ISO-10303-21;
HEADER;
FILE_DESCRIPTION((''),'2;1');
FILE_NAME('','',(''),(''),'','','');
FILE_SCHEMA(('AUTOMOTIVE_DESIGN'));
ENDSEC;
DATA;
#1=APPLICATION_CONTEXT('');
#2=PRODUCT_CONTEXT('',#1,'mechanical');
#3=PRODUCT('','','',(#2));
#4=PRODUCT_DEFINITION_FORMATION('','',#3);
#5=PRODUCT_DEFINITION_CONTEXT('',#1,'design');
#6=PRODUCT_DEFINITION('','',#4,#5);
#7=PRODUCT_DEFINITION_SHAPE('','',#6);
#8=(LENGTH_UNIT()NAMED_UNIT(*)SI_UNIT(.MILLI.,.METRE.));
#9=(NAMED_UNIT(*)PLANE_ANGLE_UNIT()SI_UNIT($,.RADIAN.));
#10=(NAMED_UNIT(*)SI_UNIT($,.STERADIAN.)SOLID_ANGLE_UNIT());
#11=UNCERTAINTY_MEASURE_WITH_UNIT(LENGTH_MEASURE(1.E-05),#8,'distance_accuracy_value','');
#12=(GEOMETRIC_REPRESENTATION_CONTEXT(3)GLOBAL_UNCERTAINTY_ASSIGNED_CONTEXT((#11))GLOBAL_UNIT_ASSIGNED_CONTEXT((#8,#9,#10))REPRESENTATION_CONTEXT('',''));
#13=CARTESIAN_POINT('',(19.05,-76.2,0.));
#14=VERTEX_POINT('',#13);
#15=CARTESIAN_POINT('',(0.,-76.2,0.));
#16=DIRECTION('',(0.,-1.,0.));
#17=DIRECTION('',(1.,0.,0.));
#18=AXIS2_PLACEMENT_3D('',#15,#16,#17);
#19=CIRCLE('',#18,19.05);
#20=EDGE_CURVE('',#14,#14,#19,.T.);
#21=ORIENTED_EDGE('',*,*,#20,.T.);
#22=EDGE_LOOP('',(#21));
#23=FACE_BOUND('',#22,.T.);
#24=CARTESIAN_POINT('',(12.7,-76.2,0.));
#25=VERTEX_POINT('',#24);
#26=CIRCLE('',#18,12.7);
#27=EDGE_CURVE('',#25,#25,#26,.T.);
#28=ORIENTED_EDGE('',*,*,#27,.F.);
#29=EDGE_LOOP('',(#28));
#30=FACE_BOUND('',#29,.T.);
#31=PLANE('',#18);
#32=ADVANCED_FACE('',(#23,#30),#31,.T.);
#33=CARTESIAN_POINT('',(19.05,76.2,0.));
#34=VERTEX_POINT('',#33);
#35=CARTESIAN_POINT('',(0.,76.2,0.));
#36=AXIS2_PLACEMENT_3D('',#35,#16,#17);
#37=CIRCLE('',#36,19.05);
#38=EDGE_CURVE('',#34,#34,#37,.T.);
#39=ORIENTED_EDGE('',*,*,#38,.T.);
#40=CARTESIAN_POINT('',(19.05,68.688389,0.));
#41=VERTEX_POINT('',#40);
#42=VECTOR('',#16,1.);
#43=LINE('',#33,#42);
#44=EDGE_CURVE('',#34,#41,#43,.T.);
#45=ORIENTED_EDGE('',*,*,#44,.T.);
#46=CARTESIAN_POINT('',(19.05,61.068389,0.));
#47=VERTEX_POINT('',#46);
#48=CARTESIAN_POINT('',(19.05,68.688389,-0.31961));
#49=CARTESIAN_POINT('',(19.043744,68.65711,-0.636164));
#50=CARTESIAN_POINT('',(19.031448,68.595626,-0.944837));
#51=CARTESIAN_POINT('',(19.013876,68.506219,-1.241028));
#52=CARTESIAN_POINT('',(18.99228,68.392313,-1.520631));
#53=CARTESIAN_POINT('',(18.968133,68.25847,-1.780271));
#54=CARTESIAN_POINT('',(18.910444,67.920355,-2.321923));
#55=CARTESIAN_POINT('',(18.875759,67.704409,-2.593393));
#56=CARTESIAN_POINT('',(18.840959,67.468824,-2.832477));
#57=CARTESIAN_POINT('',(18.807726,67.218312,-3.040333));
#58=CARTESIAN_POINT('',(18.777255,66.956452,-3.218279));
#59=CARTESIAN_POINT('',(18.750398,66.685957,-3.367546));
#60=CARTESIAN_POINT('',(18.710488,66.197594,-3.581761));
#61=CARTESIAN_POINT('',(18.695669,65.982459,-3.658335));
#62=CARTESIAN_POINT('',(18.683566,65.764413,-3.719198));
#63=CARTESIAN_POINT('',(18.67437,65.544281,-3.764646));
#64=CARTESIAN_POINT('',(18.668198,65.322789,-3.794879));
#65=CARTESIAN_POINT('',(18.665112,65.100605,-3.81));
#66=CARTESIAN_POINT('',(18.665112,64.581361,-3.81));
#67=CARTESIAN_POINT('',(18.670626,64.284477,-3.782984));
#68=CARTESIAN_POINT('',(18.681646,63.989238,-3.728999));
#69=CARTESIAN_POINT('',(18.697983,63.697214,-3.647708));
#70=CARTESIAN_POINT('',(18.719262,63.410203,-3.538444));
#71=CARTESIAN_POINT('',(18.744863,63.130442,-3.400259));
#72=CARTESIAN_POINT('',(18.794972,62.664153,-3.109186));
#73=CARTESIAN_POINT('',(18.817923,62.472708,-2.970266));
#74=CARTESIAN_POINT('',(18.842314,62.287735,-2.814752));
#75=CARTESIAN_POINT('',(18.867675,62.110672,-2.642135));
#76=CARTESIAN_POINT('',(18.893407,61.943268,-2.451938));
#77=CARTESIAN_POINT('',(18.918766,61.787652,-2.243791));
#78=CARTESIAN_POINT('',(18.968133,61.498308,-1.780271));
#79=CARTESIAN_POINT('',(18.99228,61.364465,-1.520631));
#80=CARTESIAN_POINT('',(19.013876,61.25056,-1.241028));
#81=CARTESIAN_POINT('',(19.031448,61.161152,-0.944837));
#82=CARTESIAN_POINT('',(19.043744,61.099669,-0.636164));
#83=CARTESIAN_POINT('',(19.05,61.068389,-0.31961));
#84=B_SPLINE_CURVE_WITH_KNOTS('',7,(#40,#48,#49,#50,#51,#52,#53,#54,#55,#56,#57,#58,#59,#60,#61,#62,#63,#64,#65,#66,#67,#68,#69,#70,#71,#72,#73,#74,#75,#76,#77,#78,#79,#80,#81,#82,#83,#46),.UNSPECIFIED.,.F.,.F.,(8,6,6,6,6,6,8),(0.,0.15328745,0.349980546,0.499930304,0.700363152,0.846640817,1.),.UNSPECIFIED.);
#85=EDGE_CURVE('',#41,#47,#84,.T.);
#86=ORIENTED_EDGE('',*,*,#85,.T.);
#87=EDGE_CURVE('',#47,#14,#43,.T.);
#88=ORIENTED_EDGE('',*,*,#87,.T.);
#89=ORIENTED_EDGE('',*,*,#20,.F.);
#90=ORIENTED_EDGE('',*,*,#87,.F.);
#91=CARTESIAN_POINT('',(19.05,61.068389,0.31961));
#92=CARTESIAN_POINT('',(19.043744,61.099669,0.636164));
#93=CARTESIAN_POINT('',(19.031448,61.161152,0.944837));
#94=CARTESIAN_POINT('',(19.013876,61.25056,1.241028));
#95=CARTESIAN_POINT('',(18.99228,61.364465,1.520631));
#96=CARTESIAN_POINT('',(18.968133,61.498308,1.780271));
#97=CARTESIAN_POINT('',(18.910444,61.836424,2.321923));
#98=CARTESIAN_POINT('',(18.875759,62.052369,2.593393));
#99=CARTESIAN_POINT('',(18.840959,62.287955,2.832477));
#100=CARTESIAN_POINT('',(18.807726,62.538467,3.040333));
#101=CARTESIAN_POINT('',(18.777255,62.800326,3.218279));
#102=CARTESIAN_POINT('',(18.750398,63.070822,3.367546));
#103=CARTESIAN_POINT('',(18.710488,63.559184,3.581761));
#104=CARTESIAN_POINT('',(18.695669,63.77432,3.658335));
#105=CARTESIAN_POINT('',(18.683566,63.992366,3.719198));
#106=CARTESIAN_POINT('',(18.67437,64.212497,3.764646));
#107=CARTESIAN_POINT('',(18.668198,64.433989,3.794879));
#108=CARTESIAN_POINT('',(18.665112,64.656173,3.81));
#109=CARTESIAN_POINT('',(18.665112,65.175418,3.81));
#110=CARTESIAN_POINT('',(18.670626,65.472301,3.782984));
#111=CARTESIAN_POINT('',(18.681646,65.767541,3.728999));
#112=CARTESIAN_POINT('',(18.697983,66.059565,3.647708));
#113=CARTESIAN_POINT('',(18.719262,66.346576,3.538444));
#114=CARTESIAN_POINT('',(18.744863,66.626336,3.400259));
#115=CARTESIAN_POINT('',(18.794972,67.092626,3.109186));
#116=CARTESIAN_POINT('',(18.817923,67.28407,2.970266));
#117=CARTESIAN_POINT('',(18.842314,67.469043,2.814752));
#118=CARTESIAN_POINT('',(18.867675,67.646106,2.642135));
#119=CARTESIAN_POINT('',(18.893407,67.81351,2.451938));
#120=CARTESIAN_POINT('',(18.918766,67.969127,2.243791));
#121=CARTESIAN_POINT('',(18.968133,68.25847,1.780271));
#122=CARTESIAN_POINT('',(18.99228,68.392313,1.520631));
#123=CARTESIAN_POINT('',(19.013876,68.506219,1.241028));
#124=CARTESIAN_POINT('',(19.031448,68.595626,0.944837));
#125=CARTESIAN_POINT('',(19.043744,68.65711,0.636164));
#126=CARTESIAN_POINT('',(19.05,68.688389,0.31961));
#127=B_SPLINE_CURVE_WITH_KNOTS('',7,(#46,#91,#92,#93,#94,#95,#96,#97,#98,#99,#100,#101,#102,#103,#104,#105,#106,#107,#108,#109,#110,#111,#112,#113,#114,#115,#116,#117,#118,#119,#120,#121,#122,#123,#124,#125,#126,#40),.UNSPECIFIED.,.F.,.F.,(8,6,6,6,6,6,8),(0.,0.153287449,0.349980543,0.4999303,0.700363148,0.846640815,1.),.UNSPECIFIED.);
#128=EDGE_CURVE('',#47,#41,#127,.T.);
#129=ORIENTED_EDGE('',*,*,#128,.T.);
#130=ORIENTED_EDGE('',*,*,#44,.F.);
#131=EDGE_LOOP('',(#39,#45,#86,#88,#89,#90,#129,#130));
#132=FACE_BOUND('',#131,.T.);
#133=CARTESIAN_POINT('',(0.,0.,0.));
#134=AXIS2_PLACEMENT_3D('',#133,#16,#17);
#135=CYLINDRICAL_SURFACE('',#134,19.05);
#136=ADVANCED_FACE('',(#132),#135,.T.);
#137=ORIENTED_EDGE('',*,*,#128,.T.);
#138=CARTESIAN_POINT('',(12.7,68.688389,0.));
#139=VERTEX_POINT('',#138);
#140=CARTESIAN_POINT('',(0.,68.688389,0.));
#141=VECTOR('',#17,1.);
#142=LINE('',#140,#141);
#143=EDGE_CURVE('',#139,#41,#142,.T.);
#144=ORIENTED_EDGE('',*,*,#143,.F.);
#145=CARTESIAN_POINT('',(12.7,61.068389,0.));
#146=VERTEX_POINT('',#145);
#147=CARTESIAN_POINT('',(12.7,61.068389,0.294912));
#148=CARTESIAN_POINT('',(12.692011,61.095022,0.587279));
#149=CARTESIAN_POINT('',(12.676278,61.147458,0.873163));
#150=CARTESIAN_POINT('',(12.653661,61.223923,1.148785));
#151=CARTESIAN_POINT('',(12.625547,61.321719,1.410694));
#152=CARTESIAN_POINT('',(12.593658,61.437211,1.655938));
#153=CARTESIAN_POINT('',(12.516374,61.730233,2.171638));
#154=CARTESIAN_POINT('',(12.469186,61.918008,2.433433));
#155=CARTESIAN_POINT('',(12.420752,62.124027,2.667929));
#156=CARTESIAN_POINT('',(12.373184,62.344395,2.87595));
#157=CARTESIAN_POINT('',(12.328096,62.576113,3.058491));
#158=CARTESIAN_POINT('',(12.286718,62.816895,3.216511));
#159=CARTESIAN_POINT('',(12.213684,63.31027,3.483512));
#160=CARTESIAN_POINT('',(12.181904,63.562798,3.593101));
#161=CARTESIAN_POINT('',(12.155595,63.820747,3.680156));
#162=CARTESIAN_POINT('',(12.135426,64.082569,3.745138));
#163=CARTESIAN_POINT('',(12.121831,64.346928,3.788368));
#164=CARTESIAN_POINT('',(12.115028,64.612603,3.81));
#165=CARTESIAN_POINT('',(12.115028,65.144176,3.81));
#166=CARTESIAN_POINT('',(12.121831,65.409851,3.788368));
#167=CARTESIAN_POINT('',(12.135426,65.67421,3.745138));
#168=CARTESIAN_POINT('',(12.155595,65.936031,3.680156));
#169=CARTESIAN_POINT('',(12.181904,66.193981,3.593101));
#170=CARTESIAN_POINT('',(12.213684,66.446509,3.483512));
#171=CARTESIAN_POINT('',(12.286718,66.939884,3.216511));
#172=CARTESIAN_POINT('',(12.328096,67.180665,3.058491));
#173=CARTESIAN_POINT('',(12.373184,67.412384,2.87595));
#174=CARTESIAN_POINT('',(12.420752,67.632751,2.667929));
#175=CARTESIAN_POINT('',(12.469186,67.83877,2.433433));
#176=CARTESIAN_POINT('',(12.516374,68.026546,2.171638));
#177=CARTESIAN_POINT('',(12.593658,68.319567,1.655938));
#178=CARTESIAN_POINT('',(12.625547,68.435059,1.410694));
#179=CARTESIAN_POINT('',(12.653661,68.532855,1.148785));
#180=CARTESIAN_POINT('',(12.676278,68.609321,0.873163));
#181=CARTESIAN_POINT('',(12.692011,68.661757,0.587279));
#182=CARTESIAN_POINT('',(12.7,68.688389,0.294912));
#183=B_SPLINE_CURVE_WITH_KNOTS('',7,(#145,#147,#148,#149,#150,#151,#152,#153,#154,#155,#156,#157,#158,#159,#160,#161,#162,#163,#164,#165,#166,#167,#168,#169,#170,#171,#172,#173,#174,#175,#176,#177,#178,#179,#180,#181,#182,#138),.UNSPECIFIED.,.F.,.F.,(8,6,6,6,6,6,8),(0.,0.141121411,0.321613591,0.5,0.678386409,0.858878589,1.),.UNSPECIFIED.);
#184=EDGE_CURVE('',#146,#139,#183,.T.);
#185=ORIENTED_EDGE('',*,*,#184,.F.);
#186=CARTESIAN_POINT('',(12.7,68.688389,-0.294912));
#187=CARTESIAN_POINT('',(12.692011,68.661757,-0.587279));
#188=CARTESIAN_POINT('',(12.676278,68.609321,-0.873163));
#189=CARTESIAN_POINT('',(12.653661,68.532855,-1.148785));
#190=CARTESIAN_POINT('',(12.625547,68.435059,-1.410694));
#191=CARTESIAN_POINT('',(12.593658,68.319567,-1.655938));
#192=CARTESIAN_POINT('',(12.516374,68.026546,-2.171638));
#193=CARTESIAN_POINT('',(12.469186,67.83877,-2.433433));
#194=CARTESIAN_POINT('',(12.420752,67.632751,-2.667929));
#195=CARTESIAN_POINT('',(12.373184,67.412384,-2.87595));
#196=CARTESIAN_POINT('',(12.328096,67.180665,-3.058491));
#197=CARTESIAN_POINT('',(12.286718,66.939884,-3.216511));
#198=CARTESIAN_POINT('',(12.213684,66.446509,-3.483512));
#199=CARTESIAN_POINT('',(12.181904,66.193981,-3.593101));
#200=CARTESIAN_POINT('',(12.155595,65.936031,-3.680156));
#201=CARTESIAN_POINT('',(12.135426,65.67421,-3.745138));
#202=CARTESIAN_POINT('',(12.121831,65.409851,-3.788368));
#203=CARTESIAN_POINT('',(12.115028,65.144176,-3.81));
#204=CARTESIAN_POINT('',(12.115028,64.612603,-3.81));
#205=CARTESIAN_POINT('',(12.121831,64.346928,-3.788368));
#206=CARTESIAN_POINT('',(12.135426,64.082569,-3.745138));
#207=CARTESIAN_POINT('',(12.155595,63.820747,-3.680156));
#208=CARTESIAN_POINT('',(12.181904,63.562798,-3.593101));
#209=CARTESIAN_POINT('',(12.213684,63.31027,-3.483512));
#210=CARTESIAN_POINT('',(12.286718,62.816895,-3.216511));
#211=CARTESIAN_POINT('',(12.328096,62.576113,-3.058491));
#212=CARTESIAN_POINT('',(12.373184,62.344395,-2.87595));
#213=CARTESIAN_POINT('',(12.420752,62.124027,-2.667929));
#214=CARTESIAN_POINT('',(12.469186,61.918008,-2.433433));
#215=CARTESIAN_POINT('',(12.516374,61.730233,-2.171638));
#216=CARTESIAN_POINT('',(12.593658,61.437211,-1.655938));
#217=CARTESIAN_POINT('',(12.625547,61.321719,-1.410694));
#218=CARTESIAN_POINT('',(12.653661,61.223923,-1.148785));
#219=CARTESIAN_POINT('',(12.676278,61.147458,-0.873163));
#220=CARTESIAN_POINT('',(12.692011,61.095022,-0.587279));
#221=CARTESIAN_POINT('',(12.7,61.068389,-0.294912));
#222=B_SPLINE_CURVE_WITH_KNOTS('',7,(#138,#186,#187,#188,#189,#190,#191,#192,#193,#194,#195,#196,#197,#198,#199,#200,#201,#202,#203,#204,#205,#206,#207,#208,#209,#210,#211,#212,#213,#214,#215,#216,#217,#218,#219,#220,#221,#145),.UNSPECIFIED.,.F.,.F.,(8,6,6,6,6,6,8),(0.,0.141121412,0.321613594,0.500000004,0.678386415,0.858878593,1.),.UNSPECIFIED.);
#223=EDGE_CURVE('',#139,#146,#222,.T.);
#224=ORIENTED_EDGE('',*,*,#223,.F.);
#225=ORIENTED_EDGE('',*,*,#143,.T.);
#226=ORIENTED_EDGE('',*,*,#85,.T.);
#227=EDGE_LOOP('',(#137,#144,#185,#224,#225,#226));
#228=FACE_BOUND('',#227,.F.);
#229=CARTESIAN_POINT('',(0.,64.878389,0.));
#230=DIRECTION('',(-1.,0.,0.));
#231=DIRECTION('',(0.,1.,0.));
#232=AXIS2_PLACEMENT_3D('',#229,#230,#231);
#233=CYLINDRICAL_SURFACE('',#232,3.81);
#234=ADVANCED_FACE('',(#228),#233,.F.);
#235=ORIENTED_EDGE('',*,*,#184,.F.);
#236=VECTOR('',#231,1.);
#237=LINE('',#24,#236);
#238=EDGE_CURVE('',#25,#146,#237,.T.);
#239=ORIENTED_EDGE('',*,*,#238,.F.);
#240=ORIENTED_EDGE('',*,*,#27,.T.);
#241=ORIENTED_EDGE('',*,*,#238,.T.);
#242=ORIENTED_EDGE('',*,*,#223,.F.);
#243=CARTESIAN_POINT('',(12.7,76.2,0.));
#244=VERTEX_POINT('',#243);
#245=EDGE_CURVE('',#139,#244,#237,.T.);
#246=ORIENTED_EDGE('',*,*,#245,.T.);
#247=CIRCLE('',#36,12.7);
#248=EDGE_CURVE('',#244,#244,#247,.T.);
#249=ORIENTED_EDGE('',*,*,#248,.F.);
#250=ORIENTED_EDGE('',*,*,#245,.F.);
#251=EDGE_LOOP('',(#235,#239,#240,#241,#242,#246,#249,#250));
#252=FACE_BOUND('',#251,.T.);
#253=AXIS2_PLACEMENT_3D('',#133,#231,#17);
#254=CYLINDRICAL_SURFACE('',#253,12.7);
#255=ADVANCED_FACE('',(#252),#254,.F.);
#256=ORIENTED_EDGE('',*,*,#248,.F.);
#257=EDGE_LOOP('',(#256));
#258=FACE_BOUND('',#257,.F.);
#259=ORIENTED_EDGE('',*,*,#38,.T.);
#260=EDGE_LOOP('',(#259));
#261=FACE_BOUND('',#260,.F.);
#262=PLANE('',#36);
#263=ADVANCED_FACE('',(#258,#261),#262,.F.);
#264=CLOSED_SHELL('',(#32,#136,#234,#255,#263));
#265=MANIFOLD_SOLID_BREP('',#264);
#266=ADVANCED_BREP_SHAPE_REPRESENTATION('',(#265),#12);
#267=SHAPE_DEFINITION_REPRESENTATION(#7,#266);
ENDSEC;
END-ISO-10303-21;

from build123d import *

# Parameters (mm, degrees)
F0_R     = 19.05
F0_R_2   = 12.7
F1_DEPTH = 76.2
F3_D     = 7.62
F3_DEPTH = 19.051


with BuildPart() as f1:
    # F0 (on Front) → F1 (new body, symmetric)
    with BuildSketch(Plane.XZ):
        Circle(F0_R)
        Circle(F0_R_2, mode=Mode.SUBTRACT)
    extrude(amount=F1_DEPTH, both=True)

    # F3 (through all, one way)
    with BuildSketch(Plane(origin=(0, 0, 0), x_dir=(0, 1, 0), z_dir=(-1, 0, 0))):
        with Locations((64.8783892393, 0)):
            Circle(F3_D / 2)
    extrude(amount=-F3_DEPTH, mode=Mode.SUBTRACT)


solid = f1.part
